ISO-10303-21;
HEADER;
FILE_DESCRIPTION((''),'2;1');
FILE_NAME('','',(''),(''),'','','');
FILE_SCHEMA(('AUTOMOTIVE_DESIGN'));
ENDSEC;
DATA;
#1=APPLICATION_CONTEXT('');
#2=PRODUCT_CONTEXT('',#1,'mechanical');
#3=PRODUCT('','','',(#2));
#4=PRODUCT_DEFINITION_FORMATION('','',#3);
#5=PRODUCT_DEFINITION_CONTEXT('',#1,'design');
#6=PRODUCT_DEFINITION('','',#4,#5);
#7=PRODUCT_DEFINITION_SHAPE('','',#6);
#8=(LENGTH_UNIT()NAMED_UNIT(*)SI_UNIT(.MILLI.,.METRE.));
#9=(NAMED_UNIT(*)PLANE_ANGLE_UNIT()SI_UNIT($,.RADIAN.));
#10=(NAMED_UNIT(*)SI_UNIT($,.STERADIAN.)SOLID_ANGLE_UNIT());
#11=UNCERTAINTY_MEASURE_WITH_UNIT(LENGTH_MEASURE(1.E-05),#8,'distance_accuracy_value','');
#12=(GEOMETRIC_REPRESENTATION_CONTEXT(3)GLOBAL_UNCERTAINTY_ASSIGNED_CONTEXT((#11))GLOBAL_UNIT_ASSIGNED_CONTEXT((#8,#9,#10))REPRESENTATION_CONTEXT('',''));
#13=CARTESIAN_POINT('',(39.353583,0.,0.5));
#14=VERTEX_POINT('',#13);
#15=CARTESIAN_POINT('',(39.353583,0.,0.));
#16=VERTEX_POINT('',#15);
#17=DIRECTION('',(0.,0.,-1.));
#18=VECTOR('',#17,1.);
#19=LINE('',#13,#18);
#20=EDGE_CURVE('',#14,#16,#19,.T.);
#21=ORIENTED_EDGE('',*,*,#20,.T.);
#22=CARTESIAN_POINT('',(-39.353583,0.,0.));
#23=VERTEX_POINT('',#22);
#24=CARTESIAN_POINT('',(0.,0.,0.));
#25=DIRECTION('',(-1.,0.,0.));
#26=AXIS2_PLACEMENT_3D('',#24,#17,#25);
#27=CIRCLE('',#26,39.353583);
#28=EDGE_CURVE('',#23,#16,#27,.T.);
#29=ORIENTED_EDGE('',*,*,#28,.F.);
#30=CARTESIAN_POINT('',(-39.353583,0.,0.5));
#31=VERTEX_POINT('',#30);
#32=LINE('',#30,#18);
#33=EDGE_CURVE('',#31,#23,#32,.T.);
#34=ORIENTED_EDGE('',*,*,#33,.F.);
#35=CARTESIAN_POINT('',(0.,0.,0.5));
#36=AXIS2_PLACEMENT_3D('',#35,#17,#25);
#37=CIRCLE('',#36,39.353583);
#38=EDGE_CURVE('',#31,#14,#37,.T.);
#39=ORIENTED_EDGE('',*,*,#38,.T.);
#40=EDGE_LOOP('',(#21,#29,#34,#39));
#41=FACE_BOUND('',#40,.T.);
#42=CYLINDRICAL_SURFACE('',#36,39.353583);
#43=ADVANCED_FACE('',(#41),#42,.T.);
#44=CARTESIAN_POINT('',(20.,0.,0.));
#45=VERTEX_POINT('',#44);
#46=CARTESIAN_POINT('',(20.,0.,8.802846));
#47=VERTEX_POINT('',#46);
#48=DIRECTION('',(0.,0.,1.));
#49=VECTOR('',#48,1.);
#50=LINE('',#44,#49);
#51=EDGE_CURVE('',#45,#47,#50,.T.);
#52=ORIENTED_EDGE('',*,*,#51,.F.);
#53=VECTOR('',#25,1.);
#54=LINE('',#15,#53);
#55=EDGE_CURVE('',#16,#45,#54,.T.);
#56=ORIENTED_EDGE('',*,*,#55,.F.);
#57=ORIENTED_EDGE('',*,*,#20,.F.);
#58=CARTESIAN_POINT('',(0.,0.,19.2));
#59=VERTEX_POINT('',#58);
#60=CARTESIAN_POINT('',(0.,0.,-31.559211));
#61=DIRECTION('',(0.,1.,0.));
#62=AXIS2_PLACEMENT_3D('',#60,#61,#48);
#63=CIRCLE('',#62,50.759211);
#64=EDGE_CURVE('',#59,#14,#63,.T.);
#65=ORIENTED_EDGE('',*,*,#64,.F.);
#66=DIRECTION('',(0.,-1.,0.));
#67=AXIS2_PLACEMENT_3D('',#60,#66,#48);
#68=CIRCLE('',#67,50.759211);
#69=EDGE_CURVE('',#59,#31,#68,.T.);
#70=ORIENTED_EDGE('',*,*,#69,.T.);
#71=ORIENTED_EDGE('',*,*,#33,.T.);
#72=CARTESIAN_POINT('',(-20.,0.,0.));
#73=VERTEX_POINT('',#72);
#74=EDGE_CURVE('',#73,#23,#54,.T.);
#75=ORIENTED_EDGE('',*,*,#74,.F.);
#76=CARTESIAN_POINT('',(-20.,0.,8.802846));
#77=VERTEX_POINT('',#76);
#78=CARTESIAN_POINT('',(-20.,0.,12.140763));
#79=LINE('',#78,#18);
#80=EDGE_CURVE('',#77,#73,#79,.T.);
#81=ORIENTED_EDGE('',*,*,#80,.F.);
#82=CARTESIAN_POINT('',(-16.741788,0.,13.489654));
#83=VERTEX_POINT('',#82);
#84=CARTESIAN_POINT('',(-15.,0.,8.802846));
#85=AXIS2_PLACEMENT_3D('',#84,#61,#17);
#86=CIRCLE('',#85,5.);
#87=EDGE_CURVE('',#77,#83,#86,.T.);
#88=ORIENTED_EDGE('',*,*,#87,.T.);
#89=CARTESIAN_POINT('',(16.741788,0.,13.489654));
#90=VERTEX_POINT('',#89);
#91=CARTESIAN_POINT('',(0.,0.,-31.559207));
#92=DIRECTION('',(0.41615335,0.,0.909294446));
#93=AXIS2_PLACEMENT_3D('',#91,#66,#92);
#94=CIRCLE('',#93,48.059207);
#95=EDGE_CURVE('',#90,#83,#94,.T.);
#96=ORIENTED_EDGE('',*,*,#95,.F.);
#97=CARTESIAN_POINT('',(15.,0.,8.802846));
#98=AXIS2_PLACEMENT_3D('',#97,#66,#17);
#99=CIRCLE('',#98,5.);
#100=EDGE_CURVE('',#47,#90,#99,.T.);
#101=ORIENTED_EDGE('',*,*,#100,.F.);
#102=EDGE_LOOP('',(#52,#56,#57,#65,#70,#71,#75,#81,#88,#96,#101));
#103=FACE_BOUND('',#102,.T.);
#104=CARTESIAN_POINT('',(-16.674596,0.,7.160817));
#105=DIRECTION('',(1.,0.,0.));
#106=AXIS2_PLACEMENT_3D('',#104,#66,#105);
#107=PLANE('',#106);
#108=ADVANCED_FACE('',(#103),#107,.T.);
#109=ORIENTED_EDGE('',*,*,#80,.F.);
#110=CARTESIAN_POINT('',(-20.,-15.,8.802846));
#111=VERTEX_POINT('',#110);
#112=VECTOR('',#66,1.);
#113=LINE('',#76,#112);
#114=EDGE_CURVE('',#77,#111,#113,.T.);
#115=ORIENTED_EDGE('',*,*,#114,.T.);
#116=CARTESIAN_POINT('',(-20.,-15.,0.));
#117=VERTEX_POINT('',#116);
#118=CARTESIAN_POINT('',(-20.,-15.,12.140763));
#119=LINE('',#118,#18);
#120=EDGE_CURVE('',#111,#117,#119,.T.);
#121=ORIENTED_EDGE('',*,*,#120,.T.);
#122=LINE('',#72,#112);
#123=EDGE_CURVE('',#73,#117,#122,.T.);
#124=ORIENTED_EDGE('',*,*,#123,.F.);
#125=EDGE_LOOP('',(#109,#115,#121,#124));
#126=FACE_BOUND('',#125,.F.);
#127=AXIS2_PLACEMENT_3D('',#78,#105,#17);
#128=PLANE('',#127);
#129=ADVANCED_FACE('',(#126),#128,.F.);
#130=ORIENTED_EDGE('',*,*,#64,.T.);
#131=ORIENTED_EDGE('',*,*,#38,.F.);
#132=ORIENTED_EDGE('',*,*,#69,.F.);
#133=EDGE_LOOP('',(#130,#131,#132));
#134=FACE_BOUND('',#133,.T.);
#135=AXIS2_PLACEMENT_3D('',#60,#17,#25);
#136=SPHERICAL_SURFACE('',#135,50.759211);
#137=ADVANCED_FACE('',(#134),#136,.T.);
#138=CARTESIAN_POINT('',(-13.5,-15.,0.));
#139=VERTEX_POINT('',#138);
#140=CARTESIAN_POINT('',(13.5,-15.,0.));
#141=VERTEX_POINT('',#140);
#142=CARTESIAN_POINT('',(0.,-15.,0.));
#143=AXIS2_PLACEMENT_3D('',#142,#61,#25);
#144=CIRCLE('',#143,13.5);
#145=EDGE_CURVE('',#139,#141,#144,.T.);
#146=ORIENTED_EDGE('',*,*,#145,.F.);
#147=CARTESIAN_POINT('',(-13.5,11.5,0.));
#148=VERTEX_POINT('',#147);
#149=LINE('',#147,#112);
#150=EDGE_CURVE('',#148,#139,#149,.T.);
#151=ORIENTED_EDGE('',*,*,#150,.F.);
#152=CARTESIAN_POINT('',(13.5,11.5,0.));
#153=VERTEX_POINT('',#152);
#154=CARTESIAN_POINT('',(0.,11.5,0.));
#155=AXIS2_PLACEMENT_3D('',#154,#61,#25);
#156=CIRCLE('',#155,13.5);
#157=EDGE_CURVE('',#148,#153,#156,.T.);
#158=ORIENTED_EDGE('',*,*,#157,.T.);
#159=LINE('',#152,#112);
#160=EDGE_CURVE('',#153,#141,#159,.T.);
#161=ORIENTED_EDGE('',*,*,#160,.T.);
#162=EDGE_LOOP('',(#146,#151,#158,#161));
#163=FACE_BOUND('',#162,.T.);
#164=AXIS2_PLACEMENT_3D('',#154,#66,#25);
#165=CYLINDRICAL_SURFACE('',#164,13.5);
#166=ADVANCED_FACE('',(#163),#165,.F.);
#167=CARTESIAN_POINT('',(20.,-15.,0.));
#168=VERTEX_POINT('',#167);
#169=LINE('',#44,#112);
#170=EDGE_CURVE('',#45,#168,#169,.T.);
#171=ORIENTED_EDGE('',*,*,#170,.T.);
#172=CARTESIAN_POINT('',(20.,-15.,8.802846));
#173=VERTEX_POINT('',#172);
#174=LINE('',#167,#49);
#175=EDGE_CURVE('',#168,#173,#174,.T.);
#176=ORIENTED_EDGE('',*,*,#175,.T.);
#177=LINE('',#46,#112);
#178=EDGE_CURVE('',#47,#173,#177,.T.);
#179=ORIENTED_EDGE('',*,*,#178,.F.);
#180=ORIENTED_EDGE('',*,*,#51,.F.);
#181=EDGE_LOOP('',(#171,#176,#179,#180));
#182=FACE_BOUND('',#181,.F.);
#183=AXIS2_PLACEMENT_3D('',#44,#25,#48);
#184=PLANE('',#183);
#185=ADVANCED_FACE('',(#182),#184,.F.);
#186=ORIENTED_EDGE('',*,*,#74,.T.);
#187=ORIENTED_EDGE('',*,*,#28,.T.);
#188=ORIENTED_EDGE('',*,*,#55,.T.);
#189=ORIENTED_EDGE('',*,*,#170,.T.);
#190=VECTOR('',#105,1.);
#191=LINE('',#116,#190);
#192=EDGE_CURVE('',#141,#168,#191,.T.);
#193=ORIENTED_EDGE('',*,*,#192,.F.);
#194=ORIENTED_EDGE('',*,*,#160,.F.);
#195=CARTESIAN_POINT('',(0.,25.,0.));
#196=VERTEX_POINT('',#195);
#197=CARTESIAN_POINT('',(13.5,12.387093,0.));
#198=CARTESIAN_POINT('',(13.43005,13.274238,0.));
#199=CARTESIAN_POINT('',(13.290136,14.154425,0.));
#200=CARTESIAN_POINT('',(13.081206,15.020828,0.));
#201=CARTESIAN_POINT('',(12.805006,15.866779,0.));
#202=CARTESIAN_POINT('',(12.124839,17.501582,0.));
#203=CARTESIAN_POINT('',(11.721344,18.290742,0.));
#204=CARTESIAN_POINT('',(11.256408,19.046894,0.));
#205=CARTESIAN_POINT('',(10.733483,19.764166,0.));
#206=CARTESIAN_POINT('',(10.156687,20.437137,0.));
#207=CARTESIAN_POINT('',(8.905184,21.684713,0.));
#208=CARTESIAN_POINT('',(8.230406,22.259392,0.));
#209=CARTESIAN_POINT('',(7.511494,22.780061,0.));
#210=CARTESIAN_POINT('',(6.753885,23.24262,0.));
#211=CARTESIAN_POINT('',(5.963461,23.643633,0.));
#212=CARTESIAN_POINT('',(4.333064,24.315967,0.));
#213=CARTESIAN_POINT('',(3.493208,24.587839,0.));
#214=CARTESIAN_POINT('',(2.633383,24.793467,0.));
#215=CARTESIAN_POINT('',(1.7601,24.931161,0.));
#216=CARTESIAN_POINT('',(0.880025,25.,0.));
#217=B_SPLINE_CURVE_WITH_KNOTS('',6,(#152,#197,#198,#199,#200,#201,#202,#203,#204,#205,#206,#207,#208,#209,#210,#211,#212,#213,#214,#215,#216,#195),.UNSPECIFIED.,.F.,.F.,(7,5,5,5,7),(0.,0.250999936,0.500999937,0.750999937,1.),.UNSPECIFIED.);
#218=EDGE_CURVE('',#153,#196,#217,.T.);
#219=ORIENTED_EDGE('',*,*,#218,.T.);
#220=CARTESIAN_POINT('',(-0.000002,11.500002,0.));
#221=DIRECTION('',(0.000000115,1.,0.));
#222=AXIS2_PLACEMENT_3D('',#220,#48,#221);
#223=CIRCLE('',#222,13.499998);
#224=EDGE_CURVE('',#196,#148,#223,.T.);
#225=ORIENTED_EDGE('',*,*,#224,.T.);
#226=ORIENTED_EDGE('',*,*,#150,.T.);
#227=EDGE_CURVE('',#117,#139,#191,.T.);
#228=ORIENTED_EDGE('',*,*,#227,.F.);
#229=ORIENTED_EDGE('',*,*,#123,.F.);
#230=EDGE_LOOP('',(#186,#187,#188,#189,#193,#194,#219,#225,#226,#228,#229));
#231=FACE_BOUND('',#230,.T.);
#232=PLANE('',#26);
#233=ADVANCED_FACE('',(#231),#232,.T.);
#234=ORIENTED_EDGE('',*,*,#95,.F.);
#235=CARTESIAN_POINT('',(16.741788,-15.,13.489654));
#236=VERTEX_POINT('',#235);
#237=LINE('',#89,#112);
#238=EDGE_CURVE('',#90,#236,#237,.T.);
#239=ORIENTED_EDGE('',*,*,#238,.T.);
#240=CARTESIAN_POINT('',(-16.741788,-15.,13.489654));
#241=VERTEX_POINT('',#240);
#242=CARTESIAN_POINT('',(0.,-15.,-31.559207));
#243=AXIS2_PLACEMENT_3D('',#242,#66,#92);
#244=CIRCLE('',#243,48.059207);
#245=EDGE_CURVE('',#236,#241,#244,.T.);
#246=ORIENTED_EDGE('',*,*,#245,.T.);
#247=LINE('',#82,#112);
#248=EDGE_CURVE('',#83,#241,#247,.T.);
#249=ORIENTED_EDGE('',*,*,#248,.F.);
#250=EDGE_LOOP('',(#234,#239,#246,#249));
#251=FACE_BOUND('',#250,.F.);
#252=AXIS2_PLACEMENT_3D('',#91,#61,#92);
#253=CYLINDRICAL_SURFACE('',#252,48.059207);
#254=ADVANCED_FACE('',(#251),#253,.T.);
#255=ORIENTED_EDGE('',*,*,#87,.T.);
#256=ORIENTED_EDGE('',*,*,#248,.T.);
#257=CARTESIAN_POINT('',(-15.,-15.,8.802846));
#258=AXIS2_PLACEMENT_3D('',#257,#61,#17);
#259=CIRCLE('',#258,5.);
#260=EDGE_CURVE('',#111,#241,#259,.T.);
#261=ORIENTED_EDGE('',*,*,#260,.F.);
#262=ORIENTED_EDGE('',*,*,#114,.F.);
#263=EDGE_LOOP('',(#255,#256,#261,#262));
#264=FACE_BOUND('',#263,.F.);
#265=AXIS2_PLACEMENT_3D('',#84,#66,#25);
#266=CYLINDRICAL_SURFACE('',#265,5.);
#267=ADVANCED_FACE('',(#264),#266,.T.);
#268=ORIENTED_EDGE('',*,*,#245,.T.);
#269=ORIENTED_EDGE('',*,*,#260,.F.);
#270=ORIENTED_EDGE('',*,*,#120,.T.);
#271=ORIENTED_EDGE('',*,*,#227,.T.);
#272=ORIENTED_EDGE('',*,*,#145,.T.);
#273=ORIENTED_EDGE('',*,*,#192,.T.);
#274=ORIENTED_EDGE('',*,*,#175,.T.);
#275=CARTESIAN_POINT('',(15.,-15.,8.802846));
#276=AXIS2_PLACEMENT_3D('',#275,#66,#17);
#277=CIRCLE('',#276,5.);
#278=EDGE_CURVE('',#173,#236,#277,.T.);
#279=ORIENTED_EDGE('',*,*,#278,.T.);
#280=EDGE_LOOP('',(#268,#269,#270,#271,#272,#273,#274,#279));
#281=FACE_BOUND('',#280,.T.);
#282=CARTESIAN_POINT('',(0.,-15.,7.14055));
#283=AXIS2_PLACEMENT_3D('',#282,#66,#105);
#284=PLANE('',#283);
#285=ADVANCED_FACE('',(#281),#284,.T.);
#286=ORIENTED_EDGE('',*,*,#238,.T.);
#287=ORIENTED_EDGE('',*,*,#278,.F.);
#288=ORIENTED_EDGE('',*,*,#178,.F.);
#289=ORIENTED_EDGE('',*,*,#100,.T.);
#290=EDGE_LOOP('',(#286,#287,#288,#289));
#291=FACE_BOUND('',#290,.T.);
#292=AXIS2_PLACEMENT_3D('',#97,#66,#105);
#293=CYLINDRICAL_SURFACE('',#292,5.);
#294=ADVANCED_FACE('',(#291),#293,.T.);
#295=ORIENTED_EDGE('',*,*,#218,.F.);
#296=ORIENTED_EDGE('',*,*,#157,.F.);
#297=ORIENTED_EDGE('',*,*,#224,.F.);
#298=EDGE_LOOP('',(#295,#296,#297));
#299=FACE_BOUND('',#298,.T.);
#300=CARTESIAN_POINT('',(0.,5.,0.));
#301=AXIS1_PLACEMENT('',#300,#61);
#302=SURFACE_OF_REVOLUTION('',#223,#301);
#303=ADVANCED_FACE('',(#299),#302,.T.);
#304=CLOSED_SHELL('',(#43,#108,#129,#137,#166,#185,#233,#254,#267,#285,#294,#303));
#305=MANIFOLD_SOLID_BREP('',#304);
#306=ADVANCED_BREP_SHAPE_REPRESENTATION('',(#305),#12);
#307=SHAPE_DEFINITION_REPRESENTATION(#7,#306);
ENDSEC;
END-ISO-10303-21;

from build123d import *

# Parameters (mm, degrees)
F2_ANGLE = 180
F4_DEPTH = 15
F7_R     = 5


with BuildPart() as f2:
    # F1 (on Front) → F2 (revolve)
    with BuildSketch(Plane.XZ):
        with BuildLine():
            Line((-39.353583, 0.5), (-39.353583, 0))
            Line((-39.353583, 0), (0, 0))
            Line((0, 0), (0, 19.2))
            ThreePointArc((0, 19.2), (-21.785284, 14.28726), (-39.353583, 0.5))
        make_face()
    revolve(axis=Axis((0, 0, 9.6), (0, 0, -1)), revolution_arc=F2_ANGLE)

    # F3 (on Front) → F4 (join)
    with BuildSketch(Plane.XZ):
        with BuildLine():
            Line((20, 0), (20, 12.140763))
            ThreePointArc((20, 12.140763), (0, 16.5), (-20, 12.140763))
            Line((-20, 12.140763), (-20, 0))
            Line((-20, 0), (20, 0))
        make_face()
    extrude(amount=F4_DEPTH)

    # F5 (on Top) → F6 (revolve, cut)
    with BuildSketch(Plane.XY):
        with BuildLine():
            Line((-13.5, -15), (0, -15))
            Line((0, -15), (0, 25))
            ThreePointArc((0, 25), (-9.545942, 21.045942), (-13.5, 11.5))
            Line((-13.5, 11.5), (-13.5, -15))
        make_face()
    revolve(axis=Axis((0, 5, 0), (0, 1, 0)), mode=Mode.SUBTRACT)

    # F7
    f7_edges = [f2.edges().sort_by_distance(p)[0] for p in [
        (-20, -7.5, 12.140763),
        (20, -7.5, 12.140763),
    ]]
    fillet(f7_edges, radius=F7_R)


solid = f2.part
